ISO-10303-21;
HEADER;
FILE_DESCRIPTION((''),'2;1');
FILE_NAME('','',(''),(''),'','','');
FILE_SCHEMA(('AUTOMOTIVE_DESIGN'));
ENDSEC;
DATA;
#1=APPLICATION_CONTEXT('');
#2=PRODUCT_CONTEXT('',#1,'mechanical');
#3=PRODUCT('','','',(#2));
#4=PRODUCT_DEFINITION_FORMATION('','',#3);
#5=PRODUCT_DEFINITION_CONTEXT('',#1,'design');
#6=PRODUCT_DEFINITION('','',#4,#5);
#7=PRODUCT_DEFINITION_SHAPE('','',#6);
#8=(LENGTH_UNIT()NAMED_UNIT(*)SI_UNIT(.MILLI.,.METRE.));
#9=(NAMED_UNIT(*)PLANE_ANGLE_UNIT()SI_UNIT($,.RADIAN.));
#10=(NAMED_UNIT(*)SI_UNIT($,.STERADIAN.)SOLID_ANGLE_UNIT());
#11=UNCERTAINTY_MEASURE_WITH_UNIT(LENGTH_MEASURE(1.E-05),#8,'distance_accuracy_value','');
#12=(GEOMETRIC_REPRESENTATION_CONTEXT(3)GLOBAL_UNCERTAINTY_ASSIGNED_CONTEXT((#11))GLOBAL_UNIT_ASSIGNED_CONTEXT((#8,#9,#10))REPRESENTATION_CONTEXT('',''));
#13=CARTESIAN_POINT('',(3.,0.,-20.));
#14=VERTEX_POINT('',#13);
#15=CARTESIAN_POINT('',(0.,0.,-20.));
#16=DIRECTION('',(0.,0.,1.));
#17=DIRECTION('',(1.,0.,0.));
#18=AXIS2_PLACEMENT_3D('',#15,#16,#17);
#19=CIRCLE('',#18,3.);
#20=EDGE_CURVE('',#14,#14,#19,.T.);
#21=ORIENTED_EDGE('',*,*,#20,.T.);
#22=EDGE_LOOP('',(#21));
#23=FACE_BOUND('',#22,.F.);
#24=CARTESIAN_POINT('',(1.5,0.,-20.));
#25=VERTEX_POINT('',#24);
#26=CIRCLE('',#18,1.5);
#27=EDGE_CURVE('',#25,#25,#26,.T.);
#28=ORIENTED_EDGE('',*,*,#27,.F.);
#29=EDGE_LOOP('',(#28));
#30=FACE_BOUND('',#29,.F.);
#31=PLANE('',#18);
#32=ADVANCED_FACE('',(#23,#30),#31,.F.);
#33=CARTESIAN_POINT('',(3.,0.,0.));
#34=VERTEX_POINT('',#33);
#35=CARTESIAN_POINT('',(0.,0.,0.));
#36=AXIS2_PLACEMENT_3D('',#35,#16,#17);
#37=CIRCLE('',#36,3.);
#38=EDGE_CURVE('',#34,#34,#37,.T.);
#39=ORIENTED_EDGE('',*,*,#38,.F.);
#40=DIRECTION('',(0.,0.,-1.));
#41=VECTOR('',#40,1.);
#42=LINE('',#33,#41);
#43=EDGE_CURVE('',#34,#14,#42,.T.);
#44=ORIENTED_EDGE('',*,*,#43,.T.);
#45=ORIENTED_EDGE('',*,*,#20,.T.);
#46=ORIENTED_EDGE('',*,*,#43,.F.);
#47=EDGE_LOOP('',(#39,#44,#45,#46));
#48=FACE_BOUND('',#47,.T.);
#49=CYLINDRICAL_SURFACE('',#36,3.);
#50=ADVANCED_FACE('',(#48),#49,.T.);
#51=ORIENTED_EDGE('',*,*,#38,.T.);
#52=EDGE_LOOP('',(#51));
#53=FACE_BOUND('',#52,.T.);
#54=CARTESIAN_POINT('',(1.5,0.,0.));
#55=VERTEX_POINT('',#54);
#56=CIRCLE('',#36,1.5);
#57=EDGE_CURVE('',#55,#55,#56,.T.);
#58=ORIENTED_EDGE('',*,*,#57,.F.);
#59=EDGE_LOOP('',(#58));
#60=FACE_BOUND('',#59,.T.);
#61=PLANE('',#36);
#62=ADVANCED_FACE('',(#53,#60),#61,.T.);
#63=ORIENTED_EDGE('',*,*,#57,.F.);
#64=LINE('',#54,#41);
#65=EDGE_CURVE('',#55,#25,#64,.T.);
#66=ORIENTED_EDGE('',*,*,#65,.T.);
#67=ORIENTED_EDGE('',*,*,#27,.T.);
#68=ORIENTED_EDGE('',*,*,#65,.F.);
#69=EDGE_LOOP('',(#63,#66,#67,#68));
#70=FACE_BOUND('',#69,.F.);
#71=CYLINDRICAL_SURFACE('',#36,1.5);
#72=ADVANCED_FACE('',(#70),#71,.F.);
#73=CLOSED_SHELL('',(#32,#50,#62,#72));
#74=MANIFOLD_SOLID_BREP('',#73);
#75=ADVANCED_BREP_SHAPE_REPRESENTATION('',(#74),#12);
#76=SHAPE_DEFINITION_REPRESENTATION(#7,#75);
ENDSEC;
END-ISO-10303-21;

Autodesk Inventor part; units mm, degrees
ref_plane "YZ Plane" through (0, 0, 0) normal (1, 0, 0) x (0, 1, 0)
ref_plane "XZ Plane" through (0, 0, 0) normal (0, 1, 0) x (-1, 0, 0)
ref_plane "XY Plane" through (0, 0, 0) normal (0, 0, 1) x (1, 0, 0)
sketch "スケッチ1" plane through (0, 0, 0) normal (0, 0, 1) x (1, 0, 0)
  circle A0 centre (0, 0) radius 3
  circle A1 centre (0, 0) radius 1.5
  dimension "d0" = 6
  dimension "d1" = 3
extrude "押し出し1" add sketch "スケッチ1" against normal blind 20
properties part number "PEAKスペーサーm3中空-20" material "PAEK 樹脂"
